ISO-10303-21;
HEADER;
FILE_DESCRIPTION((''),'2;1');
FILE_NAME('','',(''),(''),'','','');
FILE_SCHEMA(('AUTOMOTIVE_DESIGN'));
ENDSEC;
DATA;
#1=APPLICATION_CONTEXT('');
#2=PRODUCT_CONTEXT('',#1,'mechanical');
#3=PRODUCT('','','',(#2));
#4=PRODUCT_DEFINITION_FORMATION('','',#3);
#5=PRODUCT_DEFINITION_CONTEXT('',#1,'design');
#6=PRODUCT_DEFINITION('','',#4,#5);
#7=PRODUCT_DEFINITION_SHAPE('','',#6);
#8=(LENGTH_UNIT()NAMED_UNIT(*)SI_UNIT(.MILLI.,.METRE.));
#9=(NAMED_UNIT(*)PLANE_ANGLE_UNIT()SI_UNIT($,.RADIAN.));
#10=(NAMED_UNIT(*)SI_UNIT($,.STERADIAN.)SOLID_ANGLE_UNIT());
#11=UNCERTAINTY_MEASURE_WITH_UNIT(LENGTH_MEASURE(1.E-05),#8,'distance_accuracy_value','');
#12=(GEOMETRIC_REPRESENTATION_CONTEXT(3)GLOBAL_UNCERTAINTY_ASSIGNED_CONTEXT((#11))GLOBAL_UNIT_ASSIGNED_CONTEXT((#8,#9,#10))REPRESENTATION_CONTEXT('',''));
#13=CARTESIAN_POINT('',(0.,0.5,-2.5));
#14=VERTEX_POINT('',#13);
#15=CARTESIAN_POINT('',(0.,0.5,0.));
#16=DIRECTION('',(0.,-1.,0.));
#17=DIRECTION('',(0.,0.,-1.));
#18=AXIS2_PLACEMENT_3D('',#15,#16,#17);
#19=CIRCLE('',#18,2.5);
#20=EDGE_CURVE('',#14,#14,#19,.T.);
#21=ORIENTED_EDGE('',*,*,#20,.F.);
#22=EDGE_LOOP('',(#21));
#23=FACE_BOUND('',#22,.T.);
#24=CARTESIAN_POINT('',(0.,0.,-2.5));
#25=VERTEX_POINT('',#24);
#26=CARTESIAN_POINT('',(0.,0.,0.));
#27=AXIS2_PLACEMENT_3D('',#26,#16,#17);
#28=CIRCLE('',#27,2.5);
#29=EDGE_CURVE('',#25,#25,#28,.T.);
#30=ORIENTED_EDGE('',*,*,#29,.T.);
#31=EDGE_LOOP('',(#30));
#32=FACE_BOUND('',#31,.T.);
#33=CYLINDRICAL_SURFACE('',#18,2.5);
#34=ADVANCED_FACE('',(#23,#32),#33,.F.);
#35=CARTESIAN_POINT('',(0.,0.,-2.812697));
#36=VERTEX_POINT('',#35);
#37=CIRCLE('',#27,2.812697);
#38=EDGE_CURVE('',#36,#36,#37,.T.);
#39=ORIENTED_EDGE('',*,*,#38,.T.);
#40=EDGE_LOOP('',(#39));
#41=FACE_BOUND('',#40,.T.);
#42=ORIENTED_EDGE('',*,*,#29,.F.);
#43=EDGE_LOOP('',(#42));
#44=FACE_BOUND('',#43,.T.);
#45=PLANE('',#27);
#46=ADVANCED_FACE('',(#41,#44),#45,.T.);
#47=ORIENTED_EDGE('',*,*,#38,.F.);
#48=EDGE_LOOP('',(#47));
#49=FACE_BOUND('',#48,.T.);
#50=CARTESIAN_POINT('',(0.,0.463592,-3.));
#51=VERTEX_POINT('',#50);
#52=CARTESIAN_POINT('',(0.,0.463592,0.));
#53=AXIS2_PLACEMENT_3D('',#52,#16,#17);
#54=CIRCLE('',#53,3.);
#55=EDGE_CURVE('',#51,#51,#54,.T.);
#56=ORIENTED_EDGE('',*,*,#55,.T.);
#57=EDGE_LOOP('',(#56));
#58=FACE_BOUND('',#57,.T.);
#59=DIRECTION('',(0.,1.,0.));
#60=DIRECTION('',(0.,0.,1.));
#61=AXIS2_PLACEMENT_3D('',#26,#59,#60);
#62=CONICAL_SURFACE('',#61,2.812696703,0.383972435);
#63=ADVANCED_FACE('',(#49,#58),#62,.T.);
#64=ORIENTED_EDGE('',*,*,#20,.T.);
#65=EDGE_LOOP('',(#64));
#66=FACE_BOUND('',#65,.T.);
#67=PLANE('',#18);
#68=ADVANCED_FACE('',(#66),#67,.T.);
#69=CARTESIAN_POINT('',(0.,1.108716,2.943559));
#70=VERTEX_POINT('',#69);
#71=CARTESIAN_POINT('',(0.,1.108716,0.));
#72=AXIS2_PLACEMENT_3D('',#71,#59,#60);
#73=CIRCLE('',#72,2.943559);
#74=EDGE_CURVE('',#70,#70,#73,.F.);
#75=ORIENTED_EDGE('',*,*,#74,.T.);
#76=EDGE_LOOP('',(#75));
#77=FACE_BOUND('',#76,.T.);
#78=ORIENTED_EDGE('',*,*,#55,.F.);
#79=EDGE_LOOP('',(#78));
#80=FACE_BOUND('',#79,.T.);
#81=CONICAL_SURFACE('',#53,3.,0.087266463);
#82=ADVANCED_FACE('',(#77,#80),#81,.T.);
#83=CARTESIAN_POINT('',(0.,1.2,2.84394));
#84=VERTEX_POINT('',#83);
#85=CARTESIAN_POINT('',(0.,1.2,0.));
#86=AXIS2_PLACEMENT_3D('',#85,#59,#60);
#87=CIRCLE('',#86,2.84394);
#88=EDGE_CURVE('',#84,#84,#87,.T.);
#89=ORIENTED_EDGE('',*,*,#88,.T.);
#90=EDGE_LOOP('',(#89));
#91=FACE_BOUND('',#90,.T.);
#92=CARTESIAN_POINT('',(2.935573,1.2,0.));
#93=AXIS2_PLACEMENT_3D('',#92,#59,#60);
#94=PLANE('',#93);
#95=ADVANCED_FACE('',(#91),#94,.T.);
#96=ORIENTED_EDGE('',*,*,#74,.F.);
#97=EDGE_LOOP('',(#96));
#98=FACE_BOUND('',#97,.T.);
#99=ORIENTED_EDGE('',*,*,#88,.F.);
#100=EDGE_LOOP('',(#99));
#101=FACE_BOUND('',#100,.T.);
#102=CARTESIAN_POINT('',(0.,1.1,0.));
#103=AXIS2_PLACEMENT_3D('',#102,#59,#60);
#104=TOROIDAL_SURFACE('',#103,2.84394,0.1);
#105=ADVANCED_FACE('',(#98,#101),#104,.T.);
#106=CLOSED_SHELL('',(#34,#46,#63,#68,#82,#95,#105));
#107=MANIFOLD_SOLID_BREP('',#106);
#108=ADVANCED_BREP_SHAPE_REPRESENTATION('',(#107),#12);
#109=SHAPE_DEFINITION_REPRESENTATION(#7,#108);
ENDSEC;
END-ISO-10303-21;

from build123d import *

# Parameters (mm, degrees)
FILLET1_R          = 0.1
SKETCH2_R          = 2.5
CUT_EXTRUDE1_DEPTH = 0.5


with BuildPart() as part:
    # Sketch1 → Revolve1 (revolve)
    with BuildSketch(Plane.XY, mode=Mode.PRIVATE) as revolve1_sk:
        Polygon((0, 0), (0, 1.2), (2.935572642, 1.2), (3, 0.463591927), (2.812696703, 0), align=None)
    revolve(revolve1_sk.sketch.rotate(Axis((0, 0, 0), (0, 1, 0)), 90), axis=Axis((0, 0, 0), (0, 1, 0)))

    # Fillet1
    fillet1_edges = [part.edges().sort_by_distance(p)[0] for p in [
        (0, 1.2, 2.935572642),
    ]]
    fillet(fillet1_edges, radius=FILLET1_R)

    # Sketch2 → Cut-Extrude1 (cut)
    with BuildSketch(Plane.XZ):
        with Locations(Location((0, 0, 0), (0, 0, 270))):
            Circle(SKETCH2_R)
    extrude(amount=-CUT_EXTRUDE1_DEPTH, mode=Mode.SUBTRACT)


solid = part.part
